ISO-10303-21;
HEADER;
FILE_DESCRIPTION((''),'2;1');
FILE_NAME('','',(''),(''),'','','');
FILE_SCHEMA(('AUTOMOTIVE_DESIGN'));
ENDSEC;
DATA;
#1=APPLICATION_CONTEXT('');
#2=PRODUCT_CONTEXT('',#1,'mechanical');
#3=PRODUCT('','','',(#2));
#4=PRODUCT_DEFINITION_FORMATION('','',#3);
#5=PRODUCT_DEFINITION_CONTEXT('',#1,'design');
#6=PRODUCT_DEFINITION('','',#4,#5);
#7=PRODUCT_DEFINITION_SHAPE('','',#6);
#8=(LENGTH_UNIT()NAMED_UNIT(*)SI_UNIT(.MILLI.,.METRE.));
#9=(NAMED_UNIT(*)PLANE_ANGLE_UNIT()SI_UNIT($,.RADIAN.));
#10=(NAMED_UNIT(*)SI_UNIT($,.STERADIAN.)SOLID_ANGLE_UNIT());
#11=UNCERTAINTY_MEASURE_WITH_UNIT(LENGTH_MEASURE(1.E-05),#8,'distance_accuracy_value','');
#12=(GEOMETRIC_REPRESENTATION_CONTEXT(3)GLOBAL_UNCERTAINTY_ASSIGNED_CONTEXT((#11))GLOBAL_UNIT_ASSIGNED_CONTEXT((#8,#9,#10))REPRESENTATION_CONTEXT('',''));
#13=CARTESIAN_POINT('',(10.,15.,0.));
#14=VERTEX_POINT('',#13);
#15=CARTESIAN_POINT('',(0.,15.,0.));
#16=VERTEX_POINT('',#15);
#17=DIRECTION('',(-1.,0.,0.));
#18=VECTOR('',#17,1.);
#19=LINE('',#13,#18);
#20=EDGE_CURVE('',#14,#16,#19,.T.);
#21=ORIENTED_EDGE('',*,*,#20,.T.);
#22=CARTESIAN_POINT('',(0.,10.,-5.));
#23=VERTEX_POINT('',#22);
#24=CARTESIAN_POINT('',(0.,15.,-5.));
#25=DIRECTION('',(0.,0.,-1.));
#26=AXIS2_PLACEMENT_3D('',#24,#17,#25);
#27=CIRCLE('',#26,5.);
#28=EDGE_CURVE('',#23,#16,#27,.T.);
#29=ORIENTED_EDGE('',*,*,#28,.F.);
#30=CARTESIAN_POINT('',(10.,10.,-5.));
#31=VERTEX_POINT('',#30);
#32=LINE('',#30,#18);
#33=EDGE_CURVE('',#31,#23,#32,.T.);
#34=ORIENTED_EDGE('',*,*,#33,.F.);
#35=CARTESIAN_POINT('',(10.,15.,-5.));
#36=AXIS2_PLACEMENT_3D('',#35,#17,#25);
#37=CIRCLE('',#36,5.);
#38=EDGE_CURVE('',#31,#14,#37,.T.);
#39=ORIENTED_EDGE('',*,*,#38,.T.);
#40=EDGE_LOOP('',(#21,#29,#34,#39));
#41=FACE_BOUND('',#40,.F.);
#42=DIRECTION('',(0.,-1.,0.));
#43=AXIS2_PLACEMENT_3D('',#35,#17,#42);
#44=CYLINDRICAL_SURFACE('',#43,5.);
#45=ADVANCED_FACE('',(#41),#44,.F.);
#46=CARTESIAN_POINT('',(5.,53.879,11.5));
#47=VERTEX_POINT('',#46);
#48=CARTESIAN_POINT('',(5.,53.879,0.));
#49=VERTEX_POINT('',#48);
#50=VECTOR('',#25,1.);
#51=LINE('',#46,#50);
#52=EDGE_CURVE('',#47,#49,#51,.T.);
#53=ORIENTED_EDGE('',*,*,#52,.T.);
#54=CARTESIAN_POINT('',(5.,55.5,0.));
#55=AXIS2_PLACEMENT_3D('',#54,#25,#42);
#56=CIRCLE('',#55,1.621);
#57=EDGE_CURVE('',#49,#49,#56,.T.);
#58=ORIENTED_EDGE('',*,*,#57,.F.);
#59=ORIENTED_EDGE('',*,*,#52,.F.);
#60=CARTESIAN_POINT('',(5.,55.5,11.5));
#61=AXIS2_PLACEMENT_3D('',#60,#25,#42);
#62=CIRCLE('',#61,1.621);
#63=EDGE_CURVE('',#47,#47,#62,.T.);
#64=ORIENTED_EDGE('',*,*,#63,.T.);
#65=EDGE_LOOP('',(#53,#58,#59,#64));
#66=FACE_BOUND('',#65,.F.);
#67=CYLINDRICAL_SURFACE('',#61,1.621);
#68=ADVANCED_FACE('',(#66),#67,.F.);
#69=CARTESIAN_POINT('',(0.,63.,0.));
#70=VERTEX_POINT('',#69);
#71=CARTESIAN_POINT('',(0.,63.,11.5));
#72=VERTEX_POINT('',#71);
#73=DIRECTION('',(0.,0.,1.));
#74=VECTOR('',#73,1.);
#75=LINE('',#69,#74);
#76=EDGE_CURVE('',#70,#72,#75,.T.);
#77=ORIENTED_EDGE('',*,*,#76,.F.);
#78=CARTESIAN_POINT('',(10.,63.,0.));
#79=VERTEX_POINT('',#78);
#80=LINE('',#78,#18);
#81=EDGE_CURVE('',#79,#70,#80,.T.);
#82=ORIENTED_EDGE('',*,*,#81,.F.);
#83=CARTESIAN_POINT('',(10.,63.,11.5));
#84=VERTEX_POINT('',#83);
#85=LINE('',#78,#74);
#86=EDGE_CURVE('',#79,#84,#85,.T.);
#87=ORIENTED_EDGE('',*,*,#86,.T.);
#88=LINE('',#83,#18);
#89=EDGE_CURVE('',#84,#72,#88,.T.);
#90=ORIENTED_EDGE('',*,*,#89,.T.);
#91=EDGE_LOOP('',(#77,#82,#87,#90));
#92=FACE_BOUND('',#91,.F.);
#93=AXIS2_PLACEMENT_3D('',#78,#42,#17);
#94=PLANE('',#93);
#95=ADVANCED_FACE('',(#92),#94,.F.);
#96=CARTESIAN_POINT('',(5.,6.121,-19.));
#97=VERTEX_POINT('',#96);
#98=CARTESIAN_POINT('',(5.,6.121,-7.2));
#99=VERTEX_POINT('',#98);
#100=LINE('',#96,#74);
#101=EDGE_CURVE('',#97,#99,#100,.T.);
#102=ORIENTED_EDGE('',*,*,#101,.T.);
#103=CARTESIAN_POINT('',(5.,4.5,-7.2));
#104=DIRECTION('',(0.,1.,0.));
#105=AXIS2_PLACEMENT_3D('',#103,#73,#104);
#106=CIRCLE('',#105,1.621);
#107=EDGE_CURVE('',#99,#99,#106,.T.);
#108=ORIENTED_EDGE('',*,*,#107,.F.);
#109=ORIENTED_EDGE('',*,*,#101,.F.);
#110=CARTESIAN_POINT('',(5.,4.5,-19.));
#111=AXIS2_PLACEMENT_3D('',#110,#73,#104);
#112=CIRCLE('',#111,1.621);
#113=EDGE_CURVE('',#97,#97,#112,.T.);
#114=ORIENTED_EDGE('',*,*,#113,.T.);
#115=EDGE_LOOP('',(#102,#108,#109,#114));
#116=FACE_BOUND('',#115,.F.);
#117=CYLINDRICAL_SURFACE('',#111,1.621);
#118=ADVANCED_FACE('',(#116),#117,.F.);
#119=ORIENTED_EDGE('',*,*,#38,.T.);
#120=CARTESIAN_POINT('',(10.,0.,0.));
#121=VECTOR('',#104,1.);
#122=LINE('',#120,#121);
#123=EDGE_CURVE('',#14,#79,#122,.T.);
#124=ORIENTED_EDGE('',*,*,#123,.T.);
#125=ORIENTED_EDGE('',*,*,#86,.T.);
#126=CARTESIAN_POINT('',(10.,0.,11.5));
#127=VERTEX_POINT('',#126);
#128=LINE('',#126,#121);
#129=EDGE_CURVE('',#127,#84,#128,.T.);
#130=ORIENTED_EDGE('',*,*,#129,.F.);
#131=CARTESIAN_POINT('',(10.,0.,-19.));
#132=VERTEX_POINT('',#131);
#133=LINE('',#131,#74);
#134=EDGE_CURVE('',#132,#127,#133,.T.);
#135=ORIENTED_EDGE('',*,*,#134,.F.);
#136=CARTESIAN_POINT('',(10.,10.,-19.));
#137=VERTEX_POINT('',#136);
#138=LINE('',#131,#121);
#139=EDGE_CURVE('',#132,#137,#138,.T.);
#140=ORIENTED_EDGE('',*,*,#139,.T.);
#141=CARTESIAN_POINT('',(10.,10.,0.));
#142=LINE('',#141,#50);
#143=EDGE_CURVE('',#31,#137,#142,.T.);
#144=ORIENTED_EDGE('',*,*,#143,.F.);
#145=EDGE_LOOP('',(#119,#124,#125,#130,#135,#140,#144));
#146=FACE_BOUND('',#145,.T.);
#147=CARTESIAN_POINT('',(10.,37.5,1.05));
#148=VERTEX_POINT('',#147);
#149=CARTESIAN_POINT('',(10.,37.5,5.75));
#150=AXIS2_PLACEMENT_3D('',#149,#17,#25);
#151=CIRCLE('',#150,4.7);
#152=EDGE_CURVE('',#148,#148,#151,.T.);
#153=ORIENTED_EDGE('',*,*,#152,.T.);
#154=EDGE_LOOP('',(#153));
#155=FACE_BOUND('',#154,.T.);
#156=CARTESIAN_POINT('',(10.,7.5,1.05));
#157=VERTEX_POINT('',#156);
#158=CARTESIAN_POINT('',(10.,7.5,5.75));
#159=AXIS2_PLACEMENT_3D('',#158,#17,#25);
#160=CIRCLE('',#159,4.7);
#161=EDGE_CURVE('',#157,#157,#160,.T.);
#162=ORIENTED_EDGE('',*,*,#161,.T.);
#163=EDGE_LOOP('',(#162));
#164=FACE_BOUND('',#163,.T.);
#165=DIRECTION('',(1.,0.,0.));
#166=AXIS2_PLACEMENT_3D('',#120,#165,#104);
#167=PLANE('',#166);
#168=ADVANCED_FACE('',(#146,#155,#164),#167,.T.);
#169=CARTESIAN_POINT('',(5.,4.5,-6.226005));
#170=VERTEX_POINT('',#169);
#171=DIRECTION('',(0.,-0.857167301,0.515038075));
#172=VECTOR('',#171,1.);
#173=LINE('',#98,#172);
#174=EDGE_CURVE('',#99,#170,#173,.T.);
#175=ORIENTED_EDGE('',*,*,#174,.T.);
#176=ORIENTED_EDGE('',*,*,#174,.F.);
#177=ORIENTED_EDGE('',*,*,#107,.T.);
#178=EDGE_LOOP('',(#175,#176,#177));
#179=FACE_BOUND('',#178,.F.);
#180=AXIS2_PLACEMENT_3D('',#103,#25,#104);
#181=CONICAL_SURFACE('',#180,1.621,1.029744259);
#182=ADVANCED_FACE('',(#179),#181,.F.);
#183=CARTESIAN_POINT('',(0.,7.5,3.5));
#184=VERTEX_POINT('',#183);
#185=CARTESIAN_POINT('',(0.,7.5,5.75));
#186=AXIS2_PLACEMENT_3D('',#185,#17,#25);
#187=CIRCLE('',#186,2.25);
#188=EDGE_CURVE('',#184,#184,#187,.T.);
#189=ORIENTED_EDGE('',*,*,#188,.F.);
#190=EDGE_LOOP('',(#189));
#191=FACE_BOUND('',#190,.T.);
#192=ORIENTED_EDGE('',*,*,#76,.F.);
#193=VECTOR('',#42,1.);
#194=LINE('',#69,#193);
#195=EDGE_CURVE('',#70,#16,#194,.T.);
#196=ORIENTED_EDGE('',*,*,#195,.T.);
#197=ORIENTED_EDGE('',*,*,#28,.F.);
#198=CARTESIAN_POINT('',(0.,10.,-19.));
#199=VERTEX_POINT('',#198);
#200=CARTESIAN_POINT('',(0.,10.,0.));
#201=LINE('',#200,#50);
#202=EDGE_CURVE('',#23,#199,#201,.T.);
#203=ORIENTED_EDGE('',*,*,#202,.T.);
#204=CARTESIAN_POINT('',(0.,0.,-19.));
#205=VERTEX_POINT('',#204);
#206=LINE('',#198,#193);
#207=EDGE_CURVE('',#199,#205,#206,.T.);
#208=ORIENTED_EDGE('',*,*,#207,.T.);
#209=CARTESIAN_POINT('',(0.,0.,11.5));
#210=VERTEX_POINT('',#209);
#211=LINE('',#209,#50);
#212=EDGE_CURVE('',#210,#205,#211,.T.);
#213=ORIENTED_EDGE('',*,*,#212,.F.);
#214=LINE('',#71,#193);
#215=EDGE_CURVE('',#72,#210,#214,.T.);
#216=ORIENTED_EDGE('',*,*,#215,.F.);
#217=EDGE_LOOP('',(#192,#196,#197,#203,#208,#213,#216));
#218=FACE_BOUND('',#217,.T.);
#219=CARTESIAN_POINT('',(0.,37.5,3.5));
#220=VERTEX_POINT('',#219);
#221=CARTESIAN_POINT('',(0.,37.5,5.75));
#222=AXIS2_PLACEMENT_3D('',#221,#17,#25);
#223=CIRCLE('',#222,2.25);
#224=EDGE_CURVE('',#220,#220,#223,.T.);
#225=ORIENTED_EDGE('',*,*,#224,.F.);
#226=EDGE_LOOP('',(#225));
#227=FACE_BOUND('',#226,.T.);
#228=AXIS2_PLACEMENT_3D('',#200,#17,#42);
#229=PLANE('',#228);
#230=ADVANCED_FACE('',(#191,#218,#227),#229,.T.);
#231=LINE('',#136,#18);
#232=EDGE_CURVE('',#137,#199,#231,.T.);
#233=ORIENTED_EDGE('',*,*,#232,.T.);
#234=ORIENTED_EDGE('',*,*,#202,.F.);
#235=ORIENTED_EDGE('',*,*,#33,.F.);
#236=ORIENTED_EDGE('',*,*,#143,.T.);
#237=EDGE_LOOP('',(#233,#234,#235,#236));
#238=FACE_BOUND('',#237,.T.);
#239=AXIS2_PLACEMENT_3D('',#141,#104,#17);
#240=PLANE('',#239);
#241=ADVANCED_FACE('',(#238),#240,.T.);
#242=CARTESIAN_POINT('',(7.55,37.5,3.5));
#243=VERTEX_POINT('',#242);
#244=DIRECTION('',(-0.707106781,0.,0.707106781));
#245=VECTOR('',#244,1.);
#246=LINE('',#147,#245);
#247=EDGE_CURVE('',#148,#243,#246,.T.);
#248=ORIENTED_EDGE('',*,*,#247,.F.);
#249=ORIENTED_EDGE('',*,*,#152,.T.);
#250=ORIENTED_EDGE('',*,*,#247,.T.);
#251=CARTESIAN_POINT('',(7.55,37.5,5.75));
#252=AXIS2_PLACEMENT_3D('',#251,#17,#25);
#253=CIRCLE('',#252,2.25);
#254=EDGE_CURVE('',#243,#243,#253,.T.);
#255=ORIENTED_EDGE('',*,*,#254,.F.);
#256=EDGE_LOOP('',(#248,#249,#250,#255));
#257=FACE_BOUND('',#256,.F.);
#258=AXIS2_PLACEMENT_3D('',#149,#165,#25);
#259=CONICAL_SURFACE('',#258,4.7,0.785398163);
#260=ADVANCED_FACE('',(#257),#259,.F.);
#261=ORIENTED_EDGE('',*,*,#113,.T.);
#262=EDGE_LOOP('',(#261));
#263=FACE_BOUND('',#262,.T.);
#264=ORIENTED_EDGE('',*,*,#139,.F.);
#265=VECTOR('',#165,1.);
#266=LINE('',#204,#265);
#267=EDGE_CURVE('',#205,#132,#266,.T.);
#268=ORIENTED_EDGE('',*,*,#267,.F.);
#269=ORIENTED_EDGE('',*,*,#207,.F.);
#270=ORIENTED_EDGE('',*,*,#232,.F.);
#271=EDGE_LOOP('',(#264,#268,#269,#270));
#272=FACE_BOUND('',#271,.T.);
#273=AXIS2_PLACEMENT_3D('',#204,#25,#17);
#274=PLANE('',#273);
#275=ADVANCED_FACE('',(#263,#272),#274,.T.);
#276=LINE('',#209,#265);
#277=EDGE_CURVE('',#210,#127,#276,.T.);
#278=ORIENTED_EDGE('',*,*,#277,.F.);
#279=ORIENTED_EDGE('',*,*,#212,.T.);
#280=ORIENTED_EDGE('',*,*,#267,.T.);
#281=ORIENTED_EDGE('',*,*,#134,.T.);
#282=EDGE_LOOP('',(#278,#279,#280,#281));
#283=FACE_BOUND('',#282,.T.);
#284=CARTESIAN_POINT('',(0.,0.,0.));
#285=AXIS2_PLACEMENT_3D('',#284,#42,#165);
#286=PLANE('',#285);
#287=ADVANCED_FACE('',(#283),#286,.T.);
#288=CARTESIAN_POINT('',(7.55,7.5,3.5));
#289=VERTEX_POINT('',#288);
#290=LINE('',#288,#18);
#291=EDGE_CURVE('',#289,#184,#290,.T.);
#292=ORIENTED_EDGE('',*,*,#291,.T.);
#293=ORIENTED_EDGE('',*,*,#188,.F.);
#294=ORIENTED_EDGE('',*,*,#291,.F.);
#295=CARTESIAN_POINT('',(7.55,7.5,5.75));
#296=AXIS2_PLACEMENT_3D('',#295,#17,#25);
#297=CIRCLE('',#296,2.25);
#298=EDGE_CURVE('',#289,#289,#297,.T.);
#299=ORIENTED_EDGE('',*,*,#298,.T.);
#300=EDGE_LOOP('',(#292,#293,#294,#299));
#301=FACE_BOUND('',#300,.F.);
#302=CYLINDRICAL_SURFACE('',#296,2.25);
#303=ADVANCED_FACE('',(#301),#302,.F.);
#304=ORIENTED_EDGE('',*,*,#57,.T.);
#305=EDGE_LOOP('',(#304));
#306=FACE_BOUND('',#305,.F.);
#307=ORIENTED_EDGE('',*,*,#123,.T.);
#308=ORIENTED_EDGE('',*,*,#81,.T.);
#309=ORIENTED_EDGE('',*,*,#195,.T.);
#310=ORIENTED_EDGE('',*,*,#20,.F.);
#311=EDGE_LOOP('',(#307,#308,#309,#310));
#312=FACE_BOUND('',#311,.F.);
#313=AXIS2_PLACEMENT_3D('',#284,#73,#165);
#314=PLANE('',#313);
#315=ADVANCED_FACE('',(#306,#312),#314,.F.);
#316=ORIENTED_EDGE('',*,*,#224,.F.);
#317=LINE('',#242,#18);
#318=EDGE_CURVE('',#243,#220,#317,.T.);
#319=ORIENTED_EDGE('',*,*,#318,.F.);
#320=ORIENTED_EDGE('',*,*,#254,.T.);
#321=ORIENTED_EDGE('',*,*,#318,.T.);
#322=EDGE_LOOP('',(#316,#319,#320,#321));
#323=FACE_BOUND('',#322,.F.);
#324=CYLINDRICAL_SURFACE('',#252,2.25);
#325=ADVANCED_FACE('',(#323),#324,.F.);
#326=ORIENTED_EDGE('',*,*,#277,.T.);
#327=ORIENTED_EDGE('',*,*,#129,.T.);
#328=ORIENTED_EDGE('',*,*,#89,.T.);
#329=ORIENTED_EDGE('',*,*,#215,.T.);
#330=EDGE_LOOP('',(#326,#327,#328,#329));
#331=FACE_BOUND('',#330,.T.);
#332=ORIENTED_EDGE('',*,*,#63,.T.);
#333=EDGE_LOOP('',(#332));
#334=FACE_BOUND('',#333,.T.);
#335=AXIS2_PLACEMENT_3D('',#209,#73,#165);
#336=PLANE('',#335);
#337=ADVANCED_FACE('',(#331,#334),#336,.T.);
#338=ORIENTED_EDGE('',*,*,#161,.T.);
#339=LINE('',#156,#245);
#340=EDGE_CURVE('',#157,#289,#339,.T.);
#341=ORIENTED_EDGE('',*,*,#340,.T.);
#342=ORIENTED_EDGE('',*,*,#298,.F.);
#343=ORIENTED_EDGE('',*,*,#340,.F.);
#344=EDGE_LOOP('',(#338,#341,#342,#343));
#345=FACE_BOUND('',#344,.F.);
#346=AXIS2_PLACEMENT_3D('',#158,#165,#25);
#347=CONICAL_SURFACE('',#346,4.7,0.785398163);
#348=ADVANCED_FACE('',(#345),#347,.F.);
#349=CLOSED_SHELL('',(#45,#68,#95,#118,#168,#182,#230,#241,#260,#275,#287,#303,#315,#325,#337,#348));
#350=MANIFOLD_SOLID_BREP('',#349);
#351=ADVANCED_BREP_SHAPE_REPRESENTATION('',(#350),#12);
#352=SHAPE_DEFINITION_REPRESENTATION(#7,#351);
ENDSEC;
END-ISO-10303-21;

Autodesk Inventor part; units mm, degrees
ref_plane "YZ Plane" through (0, 0, 0) normal (1, 0, 0) x (0, 1, 0)
ref_plane "XZ Plane" through (0, 0, 0) normal (0, 1, 0) x (-1, 0, 0)
ref_plane "XY Plane" through (0, 0, 0) normal (0, 0, 1) x (1, 0, 0)
sketch "Sketch1" plane through (0, 0, 0) normal (0, 0, 1) x (1, 0, 0)
  line L0 (0, 0) -> (10, 0)
  line L1 (10, 0) -> (10, 63)
  line L2 (10, 63) -> (0, 63)
  line L3 (0, 63) -> (0, 0)
  dimension "d0" = 10
  dimension "d1" = 63
extrude "Extrusion1" add sketch "Sketch1" along normal blind 11.5
sketch "Sketch2" plane through (0, 0, 11.5) normal (0, 0, 1) x (1, 0, 0)
  line L0 (10, 63) -> (0, 63) projected
  line L1 (0, 0) -> (10, 0) projected
  point P0 (5, 55.5)
  point P1 (5, 63)
  dimension "d5" = 7.5
  dimension "d24" = 63
hole "Hole1" at (5, 55.5, 11.5) direction (0, 0, -1) diameter 3.242 end through all thread size "M4x0.7" class "6H" standard "ANSI Metric M Profile"
sketch "Sketch3" plane through (10, 0, 0) normal (1, 0, 0) x (0, 0, -1)
  line L0 (0, 63) -> (-11.5, 63) projected
  line L1 (0, 0) -> (-11.5, 0) projected
  point P0 (-5.75, 37.5)
  point P1 (-5.75, 7.5)
  point P2 (-5.75, 63)
  dimension "d16" = 7.5
  dimension "d25" = 30
hole "Hole2" at (10, 37.5, 5.75) at (10, 7.5, 5.75) direction (-1, 0, 0) diameter 4.5 end through all countersink diameter 9.4 countersink angle 90 clearance for "Flat Head Machine Screw" size "M4" standard "Ansi Metric M Profile"
sketch "Sketch4" plane through (0, 0, 0) normal (0, 0, -1) x (-1, 0, 0)
  point P0 (0, 0)
sketch "Sketch5" plane through (0, 0, 0) normal (0, 0, -1) x (-1, 0, 0)
  line L0 (0, 0) -> (-10, 0)
  line L1 (-10, 0) -> (-10, 10)
  line L2 (-10, 10) -> (0, 10)
  line L3 (0, 10) -> (0, 0)
  line L4 (-10, 0) -> (-10, 63) projected
  dimension "d26" = 10
extrude "Extrusion2" add sketch "Sketch5" along normal blind 19
sketch "Sketch6" plane through (0, 0, -19) normal (0, 0, -1) x (-1, 0, 0)
  line L0 (-10, 0) -> (0, 0) projected
  line L1 (0, 10) -> (-10, 10) projected
  circle A0 centre (-5, 55.5) radius 1.621 projected
  point P0 (-5, 4.5)
  point P1 (-5, 0)
  dimension "d31" = 51
hole "Hole3" at (5, 4.5, -19) direction (0, 0, 1) diameter 3.242 depth 11.8 tip angle 118 thread size "M4x0.7" class "6H" standard "ANSI Metric M Profile"
fillet "Fillet1" radius 5 1 edges at (5, 10, 0)
properties part number "Pancake_Flexi Pipe Mount 2" material "Aluminum 6061"
